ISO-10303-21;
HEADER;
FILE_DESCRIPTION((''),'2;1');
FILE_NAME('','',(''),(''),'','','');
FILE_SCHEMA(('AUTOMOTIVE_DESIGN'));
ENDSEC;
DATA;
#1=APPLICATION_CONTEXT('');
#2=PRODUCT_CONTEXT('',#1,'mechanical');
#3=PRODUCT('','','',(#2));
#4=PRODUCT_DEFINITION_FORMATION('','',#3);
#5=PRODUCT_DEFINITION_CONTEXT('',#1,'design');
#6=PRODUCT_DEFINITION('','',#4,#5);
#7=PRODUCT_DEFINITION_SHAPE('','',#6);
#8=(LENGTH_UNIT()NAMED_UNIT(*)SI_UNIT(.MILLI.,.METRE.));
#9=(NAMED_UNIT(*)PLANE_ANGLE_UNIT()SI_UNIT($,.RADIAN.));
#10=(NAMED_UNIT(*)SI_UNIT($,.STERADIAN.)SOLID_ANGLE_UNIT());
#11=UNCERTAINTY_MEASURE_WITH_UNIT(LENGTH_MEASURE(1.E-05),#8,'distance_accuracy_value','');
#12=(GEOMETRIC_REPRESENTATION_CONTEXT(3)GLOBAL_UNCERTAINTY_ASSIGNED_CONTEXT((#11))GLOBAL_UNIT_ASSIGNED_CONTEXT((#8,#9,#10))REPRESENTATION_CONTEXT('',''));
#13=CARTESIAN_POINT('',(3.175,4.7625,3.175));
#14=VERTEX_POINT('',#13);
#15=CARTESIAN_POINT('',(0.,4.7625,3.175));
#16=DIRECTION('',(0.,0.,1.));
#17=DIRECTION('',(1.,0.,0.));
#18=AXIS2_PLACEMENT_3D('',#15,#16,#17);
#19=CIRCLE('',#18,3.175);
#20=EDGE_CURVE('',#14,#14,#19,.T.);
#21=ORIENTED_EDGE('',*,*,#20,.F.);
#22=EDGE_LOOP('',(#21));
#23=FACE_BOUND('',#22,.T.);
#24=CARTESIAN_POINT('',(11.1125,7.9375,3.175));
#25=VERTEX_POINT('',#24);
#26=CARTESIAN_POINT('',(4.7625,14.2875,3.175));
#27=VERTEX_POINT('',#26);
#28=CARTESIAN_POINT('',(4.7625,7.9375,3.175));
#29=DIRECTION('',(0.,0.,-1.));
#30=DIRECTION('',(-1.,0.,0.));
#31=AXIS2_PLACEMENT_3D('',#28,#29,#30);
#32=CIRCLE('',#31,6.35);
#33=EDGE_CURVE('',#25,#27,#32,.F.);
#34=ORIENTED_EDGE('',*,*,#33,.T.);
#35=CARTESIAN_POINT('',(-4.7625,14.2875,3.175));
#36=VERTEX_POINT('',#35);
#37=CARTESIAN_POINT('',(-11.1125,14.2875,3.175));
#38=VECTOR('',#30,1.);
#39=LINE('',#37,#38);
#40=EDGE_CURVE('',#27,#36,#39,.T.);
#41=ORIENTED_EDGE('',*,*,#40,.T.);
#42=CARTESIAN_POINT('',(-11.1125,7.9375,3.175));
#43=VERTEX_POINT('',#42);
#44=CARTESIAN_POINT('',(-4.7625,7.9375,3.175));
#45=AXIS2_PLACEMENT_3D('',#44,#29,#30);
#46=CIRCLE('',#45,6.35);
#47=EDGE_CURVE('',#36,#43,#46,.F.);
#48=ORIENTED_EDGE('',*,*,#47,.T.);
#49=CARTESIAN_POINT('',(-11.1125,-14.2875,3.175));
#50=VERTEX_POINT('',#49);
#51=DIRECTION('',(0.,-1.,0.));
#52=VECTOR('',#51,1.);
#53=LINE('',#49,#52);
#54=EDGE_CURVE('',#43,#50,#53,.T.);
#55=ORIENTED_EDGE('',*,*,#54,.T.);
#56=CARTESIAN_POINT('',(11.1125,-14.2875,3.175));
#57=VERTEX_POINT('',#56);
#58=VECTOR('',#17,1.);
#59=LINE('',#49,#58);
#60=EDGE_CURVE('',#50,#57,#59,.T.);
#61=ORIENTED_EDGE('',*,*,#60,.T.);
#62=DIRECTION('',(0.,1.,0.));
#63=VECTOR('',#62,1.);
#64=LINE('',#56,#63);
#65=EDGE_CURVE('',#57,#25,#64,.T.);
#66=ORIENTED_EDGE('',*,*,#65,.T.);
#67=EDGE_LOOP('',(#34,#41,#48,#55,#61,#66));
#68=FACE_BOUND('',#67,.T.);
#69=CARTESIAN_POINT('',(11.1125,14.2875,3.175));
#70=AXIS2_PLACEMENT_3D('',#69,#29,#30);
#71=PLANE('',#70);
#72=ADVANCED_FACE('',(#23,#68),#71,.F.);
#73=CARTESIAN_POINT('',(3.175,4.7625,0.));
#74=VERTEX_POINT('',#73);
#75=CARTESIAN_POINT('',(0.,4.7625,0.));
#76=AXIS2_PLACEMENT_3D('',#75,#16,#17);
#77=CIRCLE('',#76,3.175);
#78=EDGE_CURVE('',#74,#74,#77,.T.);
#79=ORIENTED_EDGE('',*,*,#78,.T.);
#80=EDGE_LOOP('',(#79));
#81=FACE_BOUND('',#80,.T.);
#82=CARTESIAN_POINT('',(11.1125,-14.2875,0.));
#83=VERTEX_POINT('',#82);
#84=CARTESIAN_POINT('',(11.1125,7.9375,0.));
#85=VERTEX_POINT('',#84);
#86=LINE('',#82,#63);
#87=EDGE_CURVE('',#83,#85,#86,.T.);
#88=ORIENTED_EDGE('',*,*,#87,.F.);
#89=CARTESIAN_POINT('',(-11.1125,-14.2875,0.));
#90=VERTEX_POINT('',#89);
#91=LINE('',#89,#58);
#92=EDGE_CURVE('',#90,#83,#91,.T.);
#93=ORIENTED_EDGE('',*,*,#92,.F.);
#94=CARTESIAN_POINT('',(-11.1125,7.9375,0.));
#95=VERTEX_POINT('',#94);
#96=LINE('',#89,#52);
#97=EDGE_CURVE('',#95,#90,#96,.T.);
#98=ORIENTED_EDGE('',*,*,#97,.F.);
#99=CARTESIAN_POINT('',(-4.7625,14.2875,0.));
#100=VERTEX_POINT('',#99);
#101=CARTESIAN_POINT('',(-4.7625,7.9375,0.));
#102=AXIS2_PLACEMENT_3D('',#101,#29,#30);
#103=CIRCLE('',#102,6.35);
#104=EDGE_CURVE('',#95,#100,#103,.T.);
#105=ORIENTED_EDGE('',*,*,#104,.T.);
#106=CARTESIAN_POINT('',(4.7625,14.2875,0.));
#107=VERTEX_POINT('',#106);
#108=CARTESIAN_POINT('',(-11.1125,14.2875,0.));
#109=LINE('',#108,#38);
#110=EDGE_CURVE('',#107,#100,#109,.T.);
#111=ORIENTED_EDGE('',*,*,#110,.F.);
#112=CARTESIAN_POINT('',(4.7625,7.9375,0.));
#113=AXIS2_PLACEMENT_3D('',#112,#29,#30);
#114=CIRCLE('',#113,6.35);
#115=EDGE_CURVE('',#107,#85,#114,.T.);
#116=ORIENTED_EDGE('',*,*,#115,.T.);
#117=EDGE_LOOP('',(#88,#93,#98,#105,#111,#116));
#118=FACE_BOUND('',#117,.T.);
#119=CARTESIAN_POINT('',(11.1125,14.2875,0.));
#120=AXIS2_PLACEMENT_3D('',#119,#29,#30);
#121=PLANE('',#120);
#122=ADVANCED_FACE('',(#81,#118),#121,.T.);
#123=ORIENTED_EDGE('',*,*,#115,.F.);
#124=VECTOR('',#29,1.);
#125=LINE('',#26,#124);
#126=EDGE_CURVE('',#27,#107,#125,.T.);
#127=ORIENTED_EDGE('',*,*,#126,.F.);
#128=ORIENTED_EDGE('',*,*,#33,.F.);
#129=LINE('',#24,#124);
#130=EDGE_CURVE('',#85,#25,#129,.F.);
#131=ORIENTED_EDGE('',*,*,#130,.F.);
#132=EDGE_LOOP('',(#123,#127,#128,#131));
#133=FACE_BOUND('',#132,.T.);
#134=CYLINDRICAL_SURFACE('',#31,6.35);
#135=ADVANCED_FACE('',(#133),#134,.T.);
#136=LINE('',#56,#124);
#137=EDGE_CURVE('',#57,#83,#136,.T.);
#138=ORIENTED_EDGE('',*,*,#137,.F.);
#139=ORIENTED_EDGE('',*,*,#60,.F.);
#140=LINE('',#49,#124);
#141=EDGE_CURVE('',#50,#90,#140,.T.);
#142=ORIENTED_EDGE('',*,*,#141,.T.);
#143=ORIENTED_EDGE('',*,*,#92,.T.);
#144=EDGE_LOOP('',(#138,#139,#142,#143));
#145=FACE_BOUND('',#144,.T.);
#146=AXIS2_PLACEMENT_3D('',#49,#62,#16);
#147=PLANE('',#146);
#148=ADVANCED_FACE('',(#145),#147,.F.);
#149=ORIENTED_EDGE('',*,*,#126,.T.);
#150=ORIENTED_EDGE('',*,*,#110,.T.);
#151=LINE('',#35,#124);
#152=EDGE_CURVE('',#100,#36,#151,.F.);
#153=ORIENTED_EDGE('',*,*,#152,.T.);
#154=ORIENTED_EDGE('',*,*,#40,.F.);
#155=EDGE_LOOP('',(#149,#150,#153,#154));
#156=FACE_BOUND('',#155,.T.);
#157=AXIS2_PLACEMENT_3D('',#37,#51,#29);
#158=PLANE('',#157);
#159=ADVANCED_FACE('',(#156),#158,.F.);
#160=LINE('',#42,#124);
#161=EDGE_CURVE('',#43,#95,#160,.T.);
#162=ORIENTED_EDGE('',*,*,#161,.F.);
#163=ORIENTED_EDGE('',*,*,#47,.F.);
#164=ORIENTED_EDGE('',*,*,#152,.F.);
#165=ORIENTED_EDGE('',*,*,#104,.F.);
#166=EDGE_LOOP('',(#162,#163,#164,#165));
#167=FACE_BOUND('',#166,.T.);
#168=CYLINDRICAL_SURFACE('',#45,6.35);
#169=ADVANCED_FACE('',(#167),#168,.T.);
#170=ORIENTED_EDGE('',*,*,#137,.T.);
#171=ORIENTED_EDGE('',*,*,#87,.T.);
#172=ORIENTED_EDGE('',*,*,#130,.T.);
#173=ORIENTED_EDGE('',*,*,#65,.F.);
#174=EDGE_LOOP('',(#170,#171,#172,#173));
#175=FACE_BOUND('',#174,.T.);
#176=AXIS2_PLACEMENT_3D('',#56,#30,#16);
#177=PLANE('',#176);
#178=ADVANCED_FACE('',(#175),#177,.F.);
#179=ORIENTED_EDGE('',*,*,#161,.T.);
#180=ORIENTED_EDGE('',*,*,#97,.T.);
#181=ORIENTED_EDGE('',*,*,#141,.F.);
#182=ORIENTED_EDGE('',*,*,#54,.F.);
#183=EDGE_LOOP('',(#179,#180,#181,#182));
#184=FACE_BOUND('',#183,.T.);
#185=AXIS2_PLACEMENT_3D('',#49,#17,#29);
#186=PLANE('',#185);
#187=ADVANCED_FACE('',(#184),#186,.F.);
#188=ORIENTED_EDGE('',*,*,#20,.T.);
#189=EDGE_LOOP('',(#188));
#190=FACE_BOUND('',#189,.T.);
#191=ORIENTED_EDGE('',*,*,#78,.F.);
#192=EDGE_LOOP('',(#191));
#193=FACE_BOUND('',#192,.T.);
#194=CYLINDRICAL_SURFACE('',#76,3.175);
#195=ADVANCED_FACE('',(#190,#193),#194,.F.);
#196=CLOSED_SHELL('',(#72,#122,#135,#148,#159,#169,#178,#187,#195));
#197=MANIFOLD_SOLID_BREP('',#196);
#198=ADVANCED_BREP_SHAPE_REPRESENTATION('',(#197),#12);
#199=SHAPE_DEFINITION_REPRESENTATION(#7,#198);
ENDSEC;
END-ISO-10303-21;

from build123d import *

# Parameters (mm, degrees)
SKETCH1_W           = 22.225
SKETCH1_H           = 28.575
BOSS_EXTRUDE1_DEPTH = 3.175
FILLET1_R           = 6.35
SKETCH2_R           = 3.175
CUT_EXTRUDE1_DEPTH  = 19.376641083


with BuildPart() as part:
    # Sketch1 → Boss-Extrude1 (new body)
    with BuildSketch(Plane.XY):
        Rectangle(SKETCH1_W, SKETCH1_H)
    extrude(amount=BOSS_EXTRUDE1_DEPTH)

    # Fillet1
    fillet1_edges = [part.edges().sort_by_distance(p)[0] for p in [
        (-11.1125, 14.2875, 1.5875),
        (11.1125, 14.2875, 1.5875),
    ]]
    fillet(fillet1_edges, radius=FILLET1_R)

    # Sketch2 → Cut-Extrude1 (cut, through all)
    with BuildSketch(Plane.XY.offset(3.175)):
        with Locations((0, 4.7625)):
            Circle(SKETCH2_R)
    extrude(amount=-CUT_EXTRUDE1_DEPTH, mode=Mode.SUBTRACT)


solid = part.part
